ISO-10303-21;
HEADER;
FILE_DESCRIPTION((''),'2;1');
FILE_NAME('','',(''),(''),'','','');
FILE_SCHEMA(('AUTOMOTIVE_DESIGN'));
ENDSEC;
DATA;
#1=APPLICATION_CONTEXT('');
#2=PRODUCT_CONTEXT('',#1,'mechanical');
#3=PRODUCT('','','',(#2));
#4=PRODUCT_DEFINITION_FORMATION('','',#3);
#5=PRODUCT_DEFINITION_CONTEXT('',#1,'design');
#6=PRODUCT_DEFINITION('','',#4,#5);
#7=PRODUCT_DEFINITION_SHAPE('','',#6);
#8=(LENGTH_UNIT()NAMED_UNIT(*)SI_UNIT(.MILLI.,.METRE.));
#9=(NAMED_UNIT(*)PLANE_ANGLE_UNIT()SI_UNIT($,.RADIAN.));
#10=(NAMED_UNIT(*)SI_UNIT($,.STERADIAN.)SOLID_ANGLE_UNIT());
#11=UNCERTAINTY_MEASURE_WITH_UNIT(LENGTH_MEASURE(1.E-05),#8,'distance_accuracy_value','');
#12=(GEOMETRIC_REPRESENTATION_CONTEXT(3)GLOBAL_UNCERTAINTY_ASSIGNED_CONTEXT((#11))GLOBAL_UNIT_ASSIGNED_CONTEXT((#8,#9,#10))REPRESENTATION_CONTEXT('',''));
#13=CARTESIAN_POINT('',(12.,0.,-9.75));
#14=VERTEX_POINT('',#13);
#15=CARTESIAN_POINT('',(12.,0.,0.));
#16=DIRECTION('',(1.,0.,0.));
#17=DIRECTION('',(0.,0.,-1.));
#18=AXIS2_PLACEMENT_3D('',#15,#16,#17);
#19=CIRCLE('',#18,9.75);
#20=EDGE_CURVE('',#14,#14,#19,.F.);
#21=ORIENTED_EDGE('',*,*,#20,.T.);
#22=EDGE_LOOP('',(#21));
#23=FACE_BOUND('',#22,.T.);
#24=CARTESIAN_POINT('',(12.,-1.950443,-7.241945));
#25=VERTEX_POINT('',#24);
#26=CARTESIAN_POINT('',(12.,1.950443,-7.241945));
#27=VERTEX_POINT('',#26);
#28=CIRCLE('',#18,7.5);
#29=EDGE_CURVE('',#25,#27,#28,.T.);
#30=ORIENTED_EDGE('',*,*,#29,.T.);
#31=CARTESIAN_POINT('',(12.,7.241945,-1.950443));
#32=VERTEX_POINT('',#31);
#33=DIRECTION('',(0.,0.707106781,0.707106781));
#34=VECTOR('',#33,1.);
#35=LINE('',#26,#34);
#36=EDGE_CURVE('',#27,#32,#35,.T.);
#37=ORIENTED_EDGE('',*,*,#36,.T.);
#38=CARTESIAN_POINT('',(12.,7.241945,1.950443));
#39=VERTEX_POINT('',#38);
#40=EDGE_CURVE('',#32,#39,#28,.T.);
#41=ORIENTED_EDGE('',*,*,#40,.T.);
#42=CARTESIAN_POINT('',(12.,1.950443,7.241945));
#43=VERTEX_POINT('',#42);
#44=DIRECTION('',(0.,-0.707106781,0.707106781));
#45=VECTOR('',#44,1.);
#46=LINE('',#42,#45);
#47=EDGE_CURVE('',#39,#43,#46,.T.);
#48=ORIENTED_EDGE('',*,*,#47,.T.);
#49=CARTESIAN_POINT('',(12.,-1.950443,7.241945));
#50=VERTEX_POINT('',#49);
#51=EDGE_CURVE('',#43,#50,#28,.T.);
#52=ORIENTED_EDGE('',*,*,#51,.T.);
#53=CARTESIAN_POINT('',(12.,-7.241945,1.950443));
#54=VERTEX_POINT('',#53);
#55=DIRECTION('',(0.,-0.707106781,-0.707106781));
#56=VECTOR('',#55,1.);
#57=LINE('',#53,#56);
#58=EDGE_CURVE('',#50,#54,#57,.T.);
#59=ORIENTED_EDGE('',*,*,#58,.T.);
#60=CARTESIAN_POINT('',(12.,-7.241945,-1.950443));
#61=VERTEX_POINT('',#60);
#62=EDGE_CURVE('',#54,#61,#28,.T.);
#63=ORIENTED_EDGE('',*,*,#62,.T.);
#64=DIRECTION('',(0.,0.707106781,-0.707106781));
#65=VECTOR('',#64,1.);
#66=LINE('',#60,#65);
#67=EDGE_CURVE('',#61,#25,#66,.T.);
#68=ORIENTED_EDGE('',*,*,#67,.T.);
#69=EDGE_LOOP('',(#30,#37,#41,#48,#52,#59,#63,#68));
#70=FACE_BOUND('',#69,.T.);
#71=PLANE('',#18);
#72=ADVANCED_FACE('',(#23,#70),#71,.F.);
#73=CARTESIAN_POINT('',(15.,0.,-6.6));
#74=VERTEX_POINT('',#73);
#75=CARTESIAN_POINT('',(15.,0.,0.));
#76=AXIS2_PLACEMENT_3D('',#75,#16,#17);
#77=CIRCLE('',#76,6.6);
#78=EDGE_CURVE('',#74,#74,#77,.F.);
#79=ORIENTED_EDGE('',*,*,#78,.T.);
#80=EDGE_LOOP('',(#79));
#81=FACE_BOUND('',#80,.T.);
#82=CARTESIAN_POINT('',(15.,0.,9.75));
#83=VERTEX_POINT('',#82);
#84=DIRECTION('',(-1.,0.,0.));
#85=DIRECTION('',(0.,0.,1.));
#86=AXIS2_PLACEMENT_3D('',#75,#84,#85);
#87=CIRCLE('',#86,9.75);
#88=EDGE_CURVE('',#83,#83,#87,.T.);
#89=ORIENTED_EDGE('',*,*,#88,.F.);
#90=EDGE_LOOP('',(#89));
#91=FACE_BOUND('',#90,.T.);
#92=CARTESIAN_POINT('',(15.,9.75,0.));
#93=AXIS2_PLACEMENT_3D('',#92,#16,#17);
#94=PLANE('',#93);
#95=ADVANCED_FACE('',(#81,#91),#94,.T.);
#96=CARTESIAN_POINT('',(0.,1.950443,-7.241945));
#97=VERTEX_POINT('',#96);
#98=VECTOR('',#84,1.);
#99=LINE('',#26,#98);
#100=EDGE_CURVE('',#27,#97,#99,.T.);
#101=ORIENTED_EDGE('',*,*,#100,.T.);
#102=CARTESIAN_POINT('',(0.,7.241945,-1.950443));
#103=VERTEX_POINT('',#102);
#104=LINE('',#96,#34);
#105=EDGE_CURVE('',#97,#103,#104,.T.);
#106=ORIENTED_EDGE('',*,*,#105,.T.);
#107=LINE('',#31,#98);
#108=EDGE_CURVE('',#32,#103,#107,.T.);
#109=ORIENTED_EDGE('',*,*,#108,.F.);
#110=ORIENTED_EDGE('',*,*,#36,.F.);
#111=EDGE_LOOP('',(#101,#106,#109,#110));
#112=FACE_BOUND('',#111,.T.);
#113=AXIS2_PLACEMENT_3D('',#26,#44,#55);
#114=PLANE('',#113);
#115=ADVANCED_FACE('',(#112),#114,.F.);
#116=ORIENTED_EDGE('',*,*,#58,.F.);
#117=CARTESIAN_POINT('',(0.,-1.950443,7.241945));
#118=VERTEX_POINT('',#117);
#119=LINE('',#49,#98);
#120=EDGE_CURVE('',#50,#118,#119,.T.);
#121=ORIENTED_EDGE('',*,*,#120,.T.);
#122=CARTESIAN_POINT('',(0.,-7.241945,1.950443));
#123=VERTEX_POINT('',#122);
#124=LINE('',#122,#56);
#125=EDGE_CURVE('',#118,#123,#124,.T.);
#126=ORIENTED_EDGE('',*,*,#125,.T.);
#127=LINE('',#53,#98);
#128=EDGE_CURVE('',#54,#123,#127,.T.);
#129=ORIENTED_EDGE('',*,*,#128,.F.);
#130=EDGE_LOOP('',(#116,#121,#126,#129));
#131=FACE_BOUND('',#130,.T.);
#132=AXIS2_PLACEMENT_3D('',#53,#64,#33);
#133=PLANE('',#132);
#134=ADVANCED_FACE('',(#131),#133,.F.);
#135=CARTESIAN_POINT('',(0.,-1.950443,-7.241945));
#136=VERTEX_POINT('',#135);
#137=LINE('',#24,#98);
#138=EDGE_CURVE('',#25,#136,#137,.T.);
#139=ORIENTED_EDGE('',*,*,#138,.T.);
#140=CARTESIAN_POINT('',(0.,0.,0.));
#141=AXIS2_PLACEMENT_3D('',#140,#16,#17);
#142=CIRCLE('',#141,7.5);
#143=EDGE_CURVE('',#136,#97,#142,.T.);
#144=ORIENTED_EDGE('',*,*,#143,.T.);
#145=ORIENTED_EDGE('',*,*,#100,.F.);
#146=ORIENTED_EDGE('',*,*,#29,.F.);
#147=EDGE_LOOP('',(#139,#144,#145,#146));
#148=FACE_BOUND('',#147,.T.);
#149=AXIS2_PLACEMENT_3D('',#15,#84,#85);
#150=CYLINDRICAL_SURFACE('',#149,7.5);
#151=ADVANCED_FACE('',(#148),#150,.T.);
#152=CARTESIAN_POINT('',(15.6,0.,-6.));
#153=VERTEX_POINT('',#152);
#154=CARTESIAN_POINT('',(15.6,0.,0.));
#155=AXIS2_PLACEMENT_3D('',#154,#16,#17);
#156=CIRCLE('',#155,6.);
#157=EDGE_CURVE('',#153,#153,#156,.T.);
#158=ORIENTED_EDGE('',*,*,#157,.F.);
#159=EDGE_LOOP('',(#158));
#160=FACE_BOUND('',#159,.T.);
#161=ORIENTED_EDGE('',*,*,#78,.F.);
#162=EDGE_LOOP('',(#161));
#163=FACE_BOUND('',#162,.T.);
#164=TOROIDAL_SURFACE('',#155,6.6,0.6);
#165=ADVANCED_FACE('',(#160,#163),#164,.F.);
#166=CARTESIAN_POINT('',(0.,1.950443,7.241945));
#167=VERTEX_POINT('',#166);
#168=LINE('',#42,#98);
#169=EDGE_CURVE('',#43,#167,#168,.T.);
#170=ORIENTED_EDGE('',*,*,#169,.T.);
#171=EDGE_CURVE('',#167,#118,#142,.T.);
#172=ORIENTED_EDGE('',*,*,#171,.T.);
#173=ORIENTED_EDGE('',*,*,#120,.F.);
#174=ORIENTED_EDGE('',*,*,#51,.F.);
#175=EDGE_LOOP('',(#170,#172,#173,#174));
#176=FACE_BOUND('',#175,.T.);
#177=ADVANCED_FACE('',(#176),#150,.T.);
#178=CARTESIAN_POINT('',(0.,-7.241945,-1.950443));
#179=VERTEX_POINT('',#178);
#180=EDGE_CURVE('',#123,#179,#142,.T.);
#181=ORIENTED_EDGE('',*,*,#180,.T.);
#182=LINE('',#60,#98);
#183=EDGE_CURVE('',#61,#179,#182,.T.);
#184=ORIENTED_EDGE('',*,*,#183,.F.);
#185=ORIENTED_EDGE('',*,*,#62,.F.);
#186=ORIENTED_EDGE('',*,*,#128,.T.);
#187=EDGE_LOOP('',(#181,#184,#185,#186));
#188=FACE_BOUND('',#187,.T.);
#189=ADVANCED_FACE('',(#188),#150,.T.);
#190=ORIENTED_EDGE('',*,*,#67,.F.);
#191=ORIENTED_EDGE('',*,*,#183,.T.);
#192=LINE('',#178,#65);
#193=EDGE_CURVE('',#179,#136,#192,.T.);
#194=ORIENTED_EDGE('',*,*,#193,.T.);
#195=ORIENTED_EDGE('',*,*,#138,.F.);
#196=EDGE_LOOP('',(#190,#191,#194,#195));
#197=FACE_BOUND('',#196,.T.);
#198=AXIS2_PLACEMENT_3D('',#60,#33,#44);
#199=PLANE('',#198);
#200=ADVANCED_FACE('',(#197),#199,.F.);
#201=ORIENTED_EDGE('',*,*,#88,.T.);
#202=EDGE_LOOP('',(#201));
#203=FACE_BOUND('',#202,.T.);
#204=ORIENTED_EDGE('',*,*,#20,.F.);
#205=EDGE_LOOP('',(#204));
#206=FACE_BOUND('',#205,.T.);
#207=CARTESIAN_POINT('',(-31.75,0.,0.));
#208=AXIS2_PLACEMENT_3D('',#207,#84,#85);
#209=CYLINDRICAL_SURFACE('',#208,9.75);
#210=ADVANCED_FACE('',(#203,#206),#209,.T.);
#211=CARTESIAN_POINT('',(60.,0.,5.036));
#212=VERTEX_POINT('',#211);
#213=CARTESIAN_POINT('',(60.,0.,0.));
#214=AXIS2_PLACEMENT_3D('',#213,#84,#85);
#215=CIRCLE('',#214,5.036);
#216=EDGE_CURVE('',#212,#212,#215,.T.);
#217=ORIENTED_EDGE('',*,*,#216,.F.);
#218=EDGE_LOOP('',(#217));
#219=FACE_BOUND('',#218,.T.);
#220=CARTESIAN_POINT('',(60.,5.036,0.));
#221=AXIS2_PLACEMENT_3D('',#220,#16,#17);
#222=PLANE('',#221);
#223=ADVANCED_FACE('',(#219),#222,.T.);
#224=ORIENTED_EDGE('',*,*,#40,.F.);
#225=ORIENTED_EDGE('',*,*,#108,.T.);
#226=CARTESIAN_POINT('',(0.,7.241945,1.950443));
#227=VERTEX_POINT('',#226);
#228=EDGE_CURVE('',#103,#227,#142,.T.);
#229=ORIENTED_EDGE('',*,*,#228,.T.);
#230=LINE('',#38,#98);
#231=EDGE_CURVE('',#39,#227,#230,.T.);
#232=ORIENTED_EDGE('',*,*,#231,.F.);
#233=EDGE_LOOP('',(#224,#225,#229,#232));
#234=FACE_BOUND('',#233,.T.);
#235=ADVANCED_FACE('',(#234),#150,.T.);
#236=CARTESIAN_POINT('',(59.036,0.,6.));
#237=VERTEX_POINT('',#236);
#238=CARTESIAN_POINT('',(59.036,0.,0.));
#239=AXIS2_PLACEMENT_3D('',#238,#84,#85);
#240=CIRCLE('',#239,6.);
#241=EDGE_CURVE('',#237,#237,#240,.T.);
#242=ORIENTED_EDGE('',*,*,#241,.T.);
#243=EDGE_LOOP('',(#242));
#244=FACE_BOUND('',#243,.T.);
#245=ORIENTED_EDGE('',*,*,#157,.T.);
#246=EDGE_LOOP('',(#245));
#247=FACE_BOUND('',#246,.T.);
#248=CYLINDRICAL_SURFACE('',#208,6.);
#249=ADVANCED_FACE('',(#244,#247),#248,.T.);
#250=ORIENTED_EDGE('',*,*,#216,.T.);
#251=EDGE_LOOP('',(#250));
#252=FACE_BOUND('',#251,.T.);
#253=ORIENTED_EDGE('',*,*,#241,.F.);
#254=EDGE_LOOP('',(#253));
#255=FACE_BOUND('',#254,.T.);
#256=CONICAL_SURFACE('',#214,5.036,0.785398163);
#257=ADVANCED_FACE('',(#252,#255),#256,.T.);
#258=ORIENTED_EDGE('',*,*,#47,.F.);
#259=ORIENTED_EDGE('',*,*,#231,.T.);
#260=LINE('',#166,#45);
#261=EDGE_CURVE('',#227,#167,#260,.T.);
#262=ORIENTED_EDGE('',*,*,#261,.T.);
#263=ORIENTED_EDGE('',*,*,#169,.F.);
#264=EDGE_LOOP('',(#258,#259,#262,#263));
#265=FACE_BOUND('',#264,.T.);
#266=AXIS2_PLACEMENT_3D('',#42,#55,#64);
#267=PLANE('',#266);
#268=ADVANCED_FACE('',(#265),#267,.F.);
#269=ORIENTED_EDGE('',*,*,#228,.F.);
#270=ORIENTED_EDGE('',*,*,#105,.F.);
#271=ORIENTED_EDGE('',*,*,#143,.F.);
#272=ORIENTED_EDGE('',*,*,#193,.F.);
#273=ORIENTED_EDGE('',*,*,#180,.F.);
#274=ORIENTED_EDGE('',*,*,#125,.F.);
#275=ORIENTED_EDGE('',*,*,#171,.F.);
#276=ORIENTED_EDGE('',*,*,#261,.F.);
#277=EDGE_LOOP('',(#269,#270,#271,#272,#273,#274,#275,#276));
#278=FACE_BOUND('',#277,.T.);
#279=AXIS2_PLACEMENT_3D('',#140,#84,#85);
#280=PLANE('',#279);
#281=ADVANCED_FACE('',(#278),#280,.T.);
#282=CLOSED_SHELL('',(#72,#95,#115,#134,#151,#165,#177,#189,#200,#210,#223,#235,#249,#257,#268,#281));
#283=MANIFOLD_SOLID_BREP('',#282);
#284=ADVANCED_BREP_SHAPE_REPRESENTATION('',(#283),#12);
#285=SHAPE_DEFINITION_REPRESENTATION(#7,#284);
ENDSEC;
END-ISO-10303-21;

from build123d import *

# Parameters (mm, degrees)
FILLET1_R           = 0.6
FILLET2_R           = 0.6
SQRDRVSKE_OUTSIDE_W = 34.706
SQRDRVSKE_OUTSIDE_H = 34.706
SQUARE_DRIVE_DEPTH  = 12


with BuildPart() as part:
    # BodySke → Base-Revolve (revolve)
    with BuildSketch(Plane.XY, mode=Mode.PRIVATE) as base_revolve_sk:
        Polygon((0, 0), (0, 9.75), (15, 9.75), (15, 6), (59.036, 6), (60, 5.036), (60, 0), align=None)
    revolve(base_revolve_sk.sketch.rotate(Axis((-31.75, 0, 0), (1, 0, 0)), 90), axis=Axis((-31.75, 0, 0), (1, 0, 0)))

    # Fillet1
    fillet1_edges = [part.edges().sort_by_distance(p)[0] for p in [
        (15, 0, -6),
    ]]
    fillet(fillet1_edges, radius=FILLET1_R)

    # Fillet2
    fillet2_edges = [part.edges().sort_by_distance(p)[0] for p in [
        (0, 0, -9.75),
    ]]
    fillet(fillet2_edges, radius=FILLET2_R)

    # SqrDrvSke outside → Square drive (cut)
    with BuildSketch(Plane(origin=(0, 0, 0), x_dir=(0, 0, -1), z_dir=(1, 0, 0))):
        Rectangle(SQRDRVSKE_OUTSIDE_W, SQRDRVSKE_OUTSIDE_H)
        with BuildLine():
            Line((1.950442767, -7.241945389), (7.241945389, -1.950442767))
            ThreePointArc((7.241945389, -1.950442767), (7.5, 0), (7.241945389, 1.950442767))
            Line((7.241945389, 1.950442767), (1.950442767, 7.241945389))
            ThreePointArc((1.950442767, 7.241945389), (0, 7.5), (-1.950442767, 7.241945389))
            Line((-1.950442767, 7.241945389), (-7.241945389, 1.950442767))
            ThreePointArc((-7.241945389, 1.950442767), (-7.5, 0), (-7.241945389, -1.950442767))
            Line((-7.241945389, -1.950442767), (-1.950442767, -7.241945389))
            ThreePointArc((-1.950442767, -7.241945389), (0, -7.5), (1.950442767, -7.241945389))
        make_face(mode=Mode.SUBTRACT)
    extrude(amount=SQUARE_DRIVE_DEPTH, mode=Mode.SUBTRACT)


solid = part.part
